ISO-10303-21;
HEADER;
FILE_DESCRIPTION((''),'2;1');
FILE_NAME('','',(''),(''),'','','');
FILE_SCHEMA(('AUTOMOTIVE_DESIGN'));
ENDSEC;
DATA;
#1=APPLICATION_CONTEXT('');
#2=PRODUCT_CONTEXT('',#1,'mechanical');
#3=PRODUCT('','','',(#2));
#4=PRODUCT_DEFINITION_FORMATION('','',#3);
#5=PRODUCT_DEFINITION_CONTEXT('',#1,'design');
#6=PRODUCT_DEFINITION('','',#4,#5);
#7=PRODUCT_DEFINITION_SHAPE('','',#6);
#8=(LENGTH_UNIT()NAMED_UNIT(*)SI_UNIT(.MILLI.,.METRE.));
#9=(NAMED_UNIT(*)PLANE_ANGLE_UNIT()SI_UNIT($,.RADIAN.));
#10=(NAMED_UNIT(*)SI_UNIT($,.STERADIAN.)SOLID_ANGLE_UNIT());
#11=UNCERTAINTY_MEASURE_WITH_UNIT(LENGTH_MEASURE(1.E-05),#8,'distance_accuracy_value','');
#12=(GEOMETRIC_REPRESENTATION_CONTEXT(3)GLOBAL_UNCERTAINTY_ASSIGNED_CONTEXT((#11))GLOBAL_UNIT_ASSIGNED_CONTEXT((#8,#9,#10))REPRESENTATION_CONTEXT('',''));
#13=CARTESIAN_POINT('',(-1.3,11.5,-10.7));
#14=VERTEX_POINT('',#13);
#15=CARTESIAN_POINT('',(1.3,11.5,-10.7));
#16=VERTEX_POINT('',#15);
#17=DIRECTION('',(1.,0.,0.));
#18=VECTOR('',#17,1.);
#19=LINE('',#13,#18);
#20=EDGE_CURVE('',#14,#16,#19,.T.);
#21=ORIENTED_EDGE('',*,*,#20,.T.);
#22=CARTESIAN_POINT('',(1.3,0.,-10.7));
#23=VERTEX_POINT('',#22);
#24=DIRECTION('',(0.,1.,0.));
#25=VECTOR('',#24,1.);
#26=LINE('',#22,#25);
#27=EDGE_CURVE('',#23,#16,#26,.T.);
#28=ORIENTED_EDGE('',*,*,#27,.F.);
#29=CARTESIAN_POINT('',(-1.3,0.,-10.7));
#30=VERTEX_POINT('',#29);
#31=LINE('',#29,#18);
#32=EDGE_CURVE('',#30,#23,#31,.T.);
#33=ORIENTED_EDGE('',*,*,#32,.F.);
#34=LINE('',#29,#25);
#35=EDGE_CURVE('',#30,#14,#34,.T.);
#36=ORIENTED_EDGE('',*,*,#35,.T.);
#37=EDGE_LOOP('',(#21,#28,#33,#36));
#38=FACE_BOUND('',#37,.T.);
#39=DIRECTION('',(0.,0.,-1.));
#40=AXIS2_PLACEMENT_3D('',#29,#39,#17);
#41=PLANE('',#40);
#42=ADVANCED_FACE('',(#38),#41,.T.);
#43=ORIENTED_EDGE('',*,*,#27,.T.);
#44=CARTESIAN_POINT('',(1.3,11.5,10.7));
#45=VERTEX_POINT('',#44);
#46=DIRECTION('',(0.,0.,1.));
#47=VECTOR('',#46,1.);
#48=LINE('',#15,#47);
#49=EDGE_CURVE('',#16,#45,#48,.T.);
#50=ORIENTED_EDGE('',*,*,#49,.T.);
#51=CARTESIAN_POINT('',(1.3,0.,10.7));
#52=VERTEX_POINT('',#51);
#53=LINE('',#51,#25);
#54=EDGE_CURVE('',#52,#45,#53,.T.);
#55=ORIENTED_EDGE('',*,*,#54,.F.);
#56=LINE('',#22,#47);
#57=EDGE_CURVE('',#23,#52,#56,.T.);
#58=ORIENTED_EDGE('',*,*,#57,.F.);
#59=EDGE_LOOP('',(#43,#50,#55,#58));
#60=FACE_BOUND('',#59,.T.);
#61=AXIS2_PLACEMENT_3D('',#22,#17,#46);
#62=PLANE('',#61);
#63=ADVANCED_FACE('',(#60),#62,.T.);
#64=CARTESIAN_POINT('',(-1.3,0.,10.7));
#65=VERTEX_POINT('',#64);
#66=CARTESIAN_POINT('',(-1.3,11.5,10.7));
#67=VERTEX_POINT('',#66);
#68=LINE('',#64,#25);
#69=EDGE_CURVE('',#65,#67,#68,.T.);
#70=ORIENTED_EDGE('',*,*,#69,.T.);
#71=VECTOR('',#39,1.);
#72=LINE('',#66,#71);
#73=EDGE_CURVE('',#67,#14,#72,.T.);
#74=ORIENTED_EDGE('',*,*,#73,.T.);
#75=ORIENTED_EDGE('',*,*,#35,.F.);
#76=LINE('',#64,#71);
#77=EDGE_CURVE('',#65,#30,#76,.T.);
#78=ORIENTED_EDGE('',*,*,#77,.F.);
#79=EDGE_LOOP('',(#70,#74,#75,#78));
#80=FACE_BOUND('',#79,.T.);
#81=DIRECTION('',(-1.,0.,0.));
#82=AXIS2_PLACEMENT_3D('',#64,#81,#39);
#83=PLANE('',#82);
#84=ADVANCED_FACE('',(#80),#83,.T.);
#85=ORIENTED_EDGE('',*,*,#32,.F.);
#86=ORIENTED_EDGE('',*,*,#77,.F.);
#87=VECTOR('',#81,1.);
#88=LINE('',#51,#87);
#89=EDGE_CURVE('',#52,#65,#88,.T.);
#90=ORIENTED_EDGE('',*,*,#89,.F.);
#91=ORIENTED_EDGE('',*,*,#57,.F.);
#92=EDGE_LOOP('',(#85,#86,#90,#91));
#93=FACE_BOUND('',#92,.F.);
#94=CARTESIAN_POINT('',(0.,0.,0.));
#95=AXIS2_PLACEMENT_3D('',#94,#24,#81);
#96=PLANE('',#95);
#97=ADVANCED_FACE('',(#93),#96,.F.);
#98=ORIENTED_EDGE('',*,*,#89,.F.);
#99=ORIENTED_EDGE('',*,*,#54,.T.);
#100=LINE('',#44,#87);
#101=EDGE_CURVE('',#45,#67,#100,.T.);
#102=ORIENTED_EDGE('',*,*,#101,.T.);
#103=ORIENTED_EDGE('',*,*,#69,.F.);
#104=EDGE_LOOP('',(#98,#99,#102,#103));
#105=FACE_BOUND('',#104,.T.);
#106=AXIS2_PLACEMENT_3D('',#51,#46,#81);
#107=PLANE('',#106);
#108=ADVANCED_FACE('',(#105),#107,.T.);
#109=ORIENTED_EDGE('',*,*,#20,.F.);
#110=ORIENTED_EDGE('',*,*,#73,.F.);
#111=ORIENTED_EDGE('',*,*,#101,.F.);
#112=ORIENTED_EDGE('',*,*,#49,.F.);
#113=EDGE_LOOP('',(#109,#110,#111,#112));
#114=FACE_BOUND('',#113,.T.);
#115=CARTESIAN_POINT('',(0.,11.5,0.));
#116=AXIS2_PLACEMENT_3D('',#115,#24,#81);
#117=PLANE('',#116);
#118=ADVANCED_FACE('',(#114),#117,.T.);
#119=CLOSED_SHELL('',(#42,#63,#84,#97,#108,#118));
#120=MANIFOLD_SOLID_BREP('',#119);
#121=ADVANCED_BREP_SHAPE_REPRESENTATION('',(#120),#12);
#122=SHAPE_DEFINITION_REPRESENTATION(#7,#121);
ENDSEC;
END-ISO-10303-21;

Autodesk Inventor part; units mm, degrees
ref_plane "YZ Plane" through (0, 0, 0) normal (1, 0, 0) x (0, 1, 0)
ref_plane "XZ Plane" through (0, 0, 0) normal (0, 1, 0) x (-1, 0, 0)
ref_plane "XY Plane" through (0, 0, 0) normal (0, 0, 1) x (1, 0, 0)
sketch "Sketch1" plane through (0, 0, 0) normal (0, 1, 0) x (-1, 0, 0)
  line L0 (-1.3, 10.7) -> (1.3, 10.7)
  line L1 (1.3, 10.7) -> (1.3, -10.7)
  line L2 (1.3, -10.7) -> (-1.3, -10.7)
  line L3 (-1.3, -10.7) -> (-1.3, 10.7)
  line L4 (-1.3, 10.7) -> (1.3, -10.7) construction
  line L5 (1.3, 10.7) -> (-1.3, -10.7) construction
  point P0 (0, 0)
  dimension "d0" = 2.6
  dimension "d1" = 21.4
extrude "Extrusion1" add sketch "Sketch1" along normal blind 11.5
properties part number "Female_Header_Spacer"
